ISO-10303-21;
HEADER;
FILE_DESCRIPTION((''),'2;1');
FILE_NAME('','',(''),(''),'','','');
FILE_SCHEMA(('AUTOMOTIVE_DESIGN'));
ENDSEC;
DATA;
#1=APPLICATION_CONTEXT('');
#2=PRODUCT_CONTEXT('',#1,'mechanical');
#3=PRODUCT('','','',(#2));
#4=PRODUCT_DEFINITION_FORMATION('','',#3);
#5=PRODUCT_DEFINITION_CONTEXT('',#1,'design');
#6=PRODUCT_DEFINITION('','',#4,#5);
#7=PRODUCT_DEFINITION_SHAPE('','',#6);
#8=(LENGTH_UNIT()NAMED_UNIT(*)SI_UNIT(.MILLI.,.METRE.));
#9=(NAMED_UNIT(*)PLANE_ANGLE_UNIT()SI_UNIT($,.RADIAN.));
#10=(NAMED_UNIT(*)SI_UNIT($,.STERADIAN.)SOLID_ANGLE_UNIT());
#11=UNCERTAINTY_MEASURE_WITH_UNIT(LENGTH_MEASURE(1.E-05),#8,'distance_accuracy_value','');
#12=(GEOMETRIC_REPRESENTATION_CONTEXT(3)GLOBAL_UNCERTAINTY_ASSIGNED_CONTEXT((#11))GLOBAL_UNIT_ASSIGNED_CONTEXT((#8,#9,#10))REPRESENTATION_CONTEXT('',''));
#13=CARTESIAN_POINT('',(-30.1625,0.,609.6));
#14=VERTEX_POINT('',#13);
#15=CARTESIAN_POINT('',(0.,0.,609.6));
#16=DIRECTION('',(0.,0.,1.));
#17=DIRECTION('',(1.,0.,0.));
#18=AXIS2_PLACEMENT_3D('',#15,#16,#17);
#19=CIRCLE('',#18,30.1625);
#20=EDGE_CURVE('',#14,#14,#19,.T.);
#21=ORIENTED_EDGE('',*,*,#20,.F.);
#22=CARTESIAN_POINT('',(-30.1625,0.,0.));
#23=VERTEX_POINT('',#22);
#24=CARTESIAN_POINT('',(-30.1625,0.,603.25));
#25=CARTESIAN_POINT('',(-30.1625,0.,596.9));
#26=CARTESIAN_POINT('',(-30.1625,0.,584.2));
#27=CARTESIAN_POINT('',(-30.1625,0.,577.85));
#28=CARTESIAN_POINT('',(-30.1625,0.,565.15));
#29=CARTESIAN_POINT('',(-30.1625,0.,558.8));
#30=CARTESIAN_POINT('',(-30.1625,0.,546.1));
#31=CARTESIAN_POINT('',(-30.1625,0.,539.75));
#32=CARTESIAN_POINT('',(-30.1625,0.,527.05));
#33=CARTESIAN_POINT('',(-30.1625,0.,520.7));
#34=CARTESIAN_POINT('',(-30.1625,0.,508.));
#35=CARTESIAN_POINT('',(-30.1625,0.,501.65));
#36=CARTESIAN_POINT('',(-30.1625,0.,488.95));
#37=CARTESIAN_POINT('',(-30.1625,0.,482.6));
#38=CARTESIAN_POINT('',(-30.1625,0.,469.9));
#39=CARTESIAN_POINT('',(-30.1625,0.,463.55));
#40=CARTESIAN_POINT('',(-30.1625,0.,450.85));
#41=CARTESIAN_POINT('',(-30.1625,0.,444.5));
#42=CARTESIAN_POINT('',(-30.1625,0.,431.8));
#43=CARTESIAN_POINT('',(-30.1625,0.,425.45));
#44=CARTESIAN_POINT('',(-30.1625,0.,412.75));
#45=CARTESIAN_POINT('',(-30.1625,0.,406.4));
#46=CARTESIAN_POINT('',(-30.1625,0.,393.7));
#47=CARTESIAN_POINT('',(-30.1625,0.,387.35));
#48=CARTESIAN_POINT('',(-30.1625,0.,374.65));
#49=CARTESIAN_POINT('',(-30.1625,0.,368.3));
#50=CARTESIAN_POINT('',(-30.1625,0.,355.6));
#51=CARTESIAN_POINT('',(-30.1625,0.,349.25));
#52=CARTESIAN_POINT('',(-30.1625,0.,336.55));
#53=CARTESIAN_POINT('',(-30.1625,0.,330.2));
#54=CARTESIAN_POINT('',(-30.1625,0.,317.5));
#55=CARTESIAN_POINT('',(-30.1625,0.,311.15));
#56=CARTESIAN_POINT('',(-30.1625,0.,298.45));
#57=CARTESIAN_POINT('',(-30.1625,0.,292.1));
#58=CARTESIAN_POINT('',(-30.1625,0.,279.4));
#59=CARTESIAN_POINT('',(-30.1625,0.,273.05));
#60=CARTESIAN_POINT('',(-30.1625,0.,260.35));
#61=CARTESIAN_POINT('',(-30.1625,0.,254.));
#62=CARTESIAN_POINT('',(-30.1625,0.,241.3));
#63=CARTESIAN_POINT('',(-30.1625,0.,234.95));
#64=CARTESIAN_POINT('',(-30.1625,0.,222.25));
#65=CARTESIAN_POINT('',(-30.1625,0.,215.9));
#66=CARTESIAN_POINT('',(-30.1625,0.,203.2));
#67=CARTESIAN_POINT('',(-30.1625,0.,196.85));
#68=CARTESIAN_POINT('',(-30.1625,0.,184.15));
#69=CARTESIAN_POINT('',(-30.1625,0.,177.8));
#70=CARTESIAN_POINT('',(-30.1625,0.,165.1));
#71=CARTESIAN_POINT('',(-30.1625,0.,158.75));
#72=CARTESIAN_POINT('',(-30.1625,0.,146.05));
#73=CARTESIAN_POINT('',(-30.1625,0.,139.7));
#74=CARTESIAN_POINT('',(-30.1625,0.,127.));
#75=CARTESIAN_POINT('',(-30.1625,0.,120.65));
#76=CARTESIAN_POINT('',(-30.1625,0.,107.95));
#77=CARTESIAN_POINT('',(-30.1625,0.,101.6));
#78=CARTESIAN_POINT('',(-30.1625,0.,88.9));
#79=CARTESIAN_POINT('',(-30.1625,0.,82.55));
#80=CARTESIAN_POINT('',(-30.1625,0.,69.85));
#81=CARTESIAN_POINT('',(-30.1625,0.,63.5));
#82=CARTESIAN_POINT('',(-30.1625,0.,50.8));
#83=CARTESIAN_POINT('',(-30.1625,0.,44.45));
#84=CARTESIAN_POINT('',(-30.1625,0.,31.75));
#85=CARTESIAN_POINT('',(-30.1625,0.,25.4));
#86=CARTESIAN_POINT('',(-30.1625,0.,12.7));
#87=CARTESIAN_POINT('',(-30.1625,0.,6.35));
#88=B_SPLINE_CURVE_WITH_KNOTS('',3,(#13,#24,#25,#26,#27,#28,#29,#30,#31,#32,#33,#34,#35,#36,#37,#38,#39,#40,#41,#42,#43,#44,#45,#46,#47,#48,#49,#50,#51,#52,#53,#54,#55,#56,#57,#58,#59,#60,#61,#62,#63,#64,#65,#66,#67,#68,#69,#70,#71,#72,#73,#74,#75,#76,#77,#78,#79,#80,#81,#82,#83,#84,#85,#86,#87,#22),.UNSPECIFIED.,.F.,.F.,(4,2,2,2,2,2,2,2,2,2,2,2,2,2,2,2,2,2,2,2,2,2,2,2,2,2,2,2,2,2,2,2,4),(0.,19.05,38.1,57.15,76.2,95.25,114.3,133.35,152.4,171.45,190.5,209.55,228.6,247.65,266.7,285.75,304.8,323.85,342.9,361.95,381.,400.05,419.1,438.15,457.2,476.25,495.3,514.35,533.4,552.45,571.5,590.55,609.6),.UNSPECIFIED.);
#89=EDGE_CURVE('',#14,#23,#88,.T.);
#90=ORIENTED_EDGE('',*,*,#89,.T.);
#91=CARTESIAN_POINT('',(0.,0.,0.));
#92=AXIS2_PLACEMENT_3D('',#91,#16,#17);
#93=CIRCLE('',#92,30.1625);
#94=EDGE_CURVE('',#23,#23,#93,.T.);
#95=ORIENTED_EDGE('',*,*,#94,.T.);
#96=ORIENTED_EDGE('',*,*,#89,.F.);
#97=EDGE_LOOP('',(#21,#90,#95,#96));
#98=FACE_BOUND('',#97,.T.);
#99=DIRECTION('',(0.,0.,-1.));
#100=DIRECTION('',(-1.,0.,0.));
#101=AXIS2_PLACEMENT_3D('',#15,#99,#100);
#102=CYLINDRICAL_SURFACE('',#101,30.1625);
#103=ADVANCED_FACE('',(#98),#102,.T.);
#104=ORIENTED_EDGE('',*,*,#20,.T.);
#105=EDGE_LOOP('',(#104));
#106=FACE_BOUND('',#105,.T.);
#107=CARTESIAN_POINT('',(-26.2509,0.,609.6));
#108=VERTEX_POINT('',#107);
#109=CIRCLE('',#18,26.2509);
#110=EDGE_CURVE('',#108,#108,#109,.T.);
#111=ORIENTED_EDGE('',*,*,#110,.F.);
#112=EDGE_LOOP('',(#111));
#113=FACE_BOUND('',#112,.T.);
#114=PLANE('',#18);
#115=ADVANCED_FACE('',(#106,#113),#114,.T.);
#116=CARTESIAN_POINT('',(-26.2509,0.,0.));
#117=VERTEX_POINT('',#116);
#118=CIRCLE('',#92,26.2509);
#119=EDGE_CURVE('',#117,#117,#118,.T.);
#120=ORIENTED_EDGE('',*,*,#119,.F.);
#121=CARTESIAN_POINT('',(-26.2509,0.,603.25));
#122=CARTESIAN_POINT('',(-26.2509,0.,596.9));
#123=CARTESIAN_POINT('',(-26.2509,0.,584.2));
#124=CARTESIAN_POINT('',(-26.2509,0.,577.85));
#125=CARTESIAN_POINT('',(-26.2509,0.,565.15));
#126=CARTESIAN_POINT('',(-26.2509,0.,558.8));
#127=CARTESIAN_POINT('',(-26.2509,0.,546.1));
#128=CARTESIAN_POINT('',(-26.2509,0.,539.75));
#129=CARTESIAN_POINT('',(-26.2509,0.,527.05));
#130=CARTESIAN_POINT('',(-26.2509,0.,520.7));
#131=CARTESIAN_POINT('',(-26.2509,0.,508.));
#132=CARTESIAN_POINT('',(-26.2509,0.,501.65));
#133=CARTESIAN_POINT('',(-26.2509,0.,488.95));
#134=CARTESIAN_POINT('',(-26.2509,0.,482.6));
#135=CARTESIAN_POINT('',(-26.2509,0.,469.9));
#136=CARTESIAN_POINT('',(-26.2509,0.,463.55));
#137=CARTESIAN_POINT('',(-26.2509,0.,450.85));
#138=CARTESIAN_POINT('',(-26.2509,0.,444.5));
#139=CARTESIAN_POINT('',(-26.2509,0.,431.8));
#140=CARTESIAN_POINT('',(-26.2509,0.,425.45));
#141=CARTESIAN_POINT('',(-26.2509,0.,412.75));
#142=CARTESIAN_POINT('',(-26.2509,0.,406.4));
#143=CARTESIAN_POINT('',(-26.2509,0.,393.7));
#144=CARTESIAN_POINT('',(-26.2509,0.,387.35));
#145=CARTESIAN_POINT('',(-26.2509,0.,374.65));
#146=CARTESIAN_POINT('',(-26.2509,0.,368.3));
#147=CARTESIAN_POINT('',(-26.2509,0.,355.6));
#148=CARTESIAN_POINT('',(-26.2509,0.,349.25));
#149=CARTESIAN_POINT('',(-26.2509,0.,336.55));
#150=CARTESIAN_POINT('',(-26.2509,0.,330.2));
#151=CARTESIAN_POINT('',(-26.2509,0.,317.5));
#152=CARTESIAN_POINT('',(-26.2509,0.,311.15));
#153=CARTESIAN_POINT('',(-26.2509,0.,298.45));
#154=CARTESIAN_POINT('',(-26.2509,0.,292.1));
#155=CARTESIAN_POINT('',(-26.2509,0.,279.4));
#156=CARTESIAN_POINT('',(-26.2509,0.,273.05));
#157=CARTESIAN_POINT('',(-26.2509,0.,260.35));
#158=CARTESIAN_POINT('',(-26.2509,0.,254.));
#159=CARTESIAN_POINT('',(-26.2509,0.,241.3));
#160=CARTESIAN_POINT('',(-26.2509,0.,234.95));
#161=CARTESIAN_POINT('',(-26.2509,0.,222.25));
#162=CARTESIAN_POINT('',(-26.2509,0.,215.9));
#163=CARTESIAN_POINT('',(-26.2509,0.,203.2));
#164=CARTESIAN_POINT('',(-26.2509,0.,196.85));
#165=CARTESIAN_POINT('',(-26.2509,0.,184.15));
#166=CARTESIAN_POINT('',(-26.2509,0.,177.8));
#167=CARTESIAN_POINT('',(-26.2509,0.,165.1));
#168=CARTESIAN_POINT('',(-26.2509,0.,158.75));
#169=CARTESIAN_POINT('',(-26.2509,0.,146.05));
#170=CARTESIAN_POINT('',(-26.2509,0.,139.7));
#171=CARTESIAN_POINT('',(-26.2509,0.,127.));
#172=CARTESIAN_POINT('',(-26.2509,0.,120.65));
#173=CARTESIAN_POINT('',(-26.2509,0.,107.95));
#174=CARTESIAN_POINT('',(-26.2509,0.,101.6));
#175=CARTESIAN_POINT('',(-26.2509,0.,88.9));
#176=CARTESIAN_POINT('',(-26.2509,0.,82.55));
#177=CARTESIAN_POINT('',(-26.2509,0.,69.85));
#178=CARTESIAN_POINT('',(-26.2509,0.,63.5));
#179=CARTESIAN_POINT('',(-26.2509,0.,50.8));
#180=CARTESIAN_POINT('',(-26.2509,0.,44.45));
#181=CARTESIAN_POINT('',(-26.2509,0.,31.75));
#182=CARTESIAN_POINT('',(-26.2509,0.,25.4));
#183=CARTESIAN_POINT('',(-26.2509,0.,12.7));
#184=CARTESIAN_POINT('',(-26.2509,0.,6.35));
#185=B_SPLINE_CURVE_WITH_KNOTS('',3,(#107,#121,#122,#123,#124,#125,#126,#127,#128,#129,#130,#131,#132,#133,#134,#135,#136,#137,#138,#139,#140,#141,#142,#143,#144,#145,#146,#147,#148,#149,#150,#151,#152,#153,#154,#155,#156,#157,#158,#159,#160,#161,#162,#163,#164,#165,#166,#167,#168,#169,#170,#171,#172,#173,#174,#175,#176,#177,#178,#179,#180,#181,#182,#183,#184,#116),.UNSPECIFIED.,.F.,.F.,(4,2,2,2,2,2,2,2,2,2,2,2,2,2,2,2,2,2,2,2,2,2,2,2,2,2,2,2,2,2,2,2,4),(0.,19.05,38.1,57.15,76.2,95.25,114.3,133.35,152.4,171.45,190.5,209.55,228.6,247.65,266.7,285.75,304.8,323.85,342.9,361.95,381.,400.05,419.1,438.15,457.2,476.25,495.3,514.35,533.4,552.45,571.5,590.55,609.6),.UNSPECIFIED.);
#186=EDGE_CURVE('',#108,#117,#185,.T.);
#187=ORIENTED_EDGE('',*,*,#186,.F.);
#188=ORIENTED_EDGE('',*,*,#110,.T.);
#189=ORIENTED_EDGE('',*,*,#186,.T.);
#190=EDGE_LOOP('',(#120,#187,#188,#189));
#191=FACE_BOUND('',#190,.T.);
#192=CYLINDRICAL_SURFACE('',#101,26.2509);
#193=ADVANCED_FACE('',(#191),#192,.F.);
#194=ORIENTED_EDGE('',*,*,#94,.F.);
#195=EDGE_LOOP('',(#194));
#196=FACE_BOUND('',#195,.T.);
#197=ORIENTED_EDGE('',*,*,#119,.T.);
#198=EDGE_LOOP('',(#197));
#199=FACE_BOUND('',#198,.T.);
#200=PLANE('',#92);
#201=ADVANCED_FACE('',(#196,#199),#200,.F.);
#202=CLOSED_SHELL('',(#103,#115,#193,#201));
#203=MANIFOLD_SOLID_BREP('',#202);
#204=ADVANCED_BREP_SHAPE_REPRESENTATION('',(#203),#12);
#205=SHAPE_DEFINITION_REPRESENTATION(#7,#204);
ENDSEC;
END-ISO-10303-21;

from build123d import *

# Parameters (mm, degrees)
SKETCH1_R           = 30.1625
SKETCH1_R_2         = 26.2509
BOSS_EXTRUDE1_DEPTH = 609.6


with BuildPart() as part:
    # Sketch1 → Boss-Extrude1 (new body)
    with BuildSketch(Plane.XY):
        with Locations(Location((0, 0, 0), (0, 0, 180))):
            Circle(SKETCH1_R)
        with Locations(Location((0, 0, 0), (0, 0, 180))):
            Circle(SKETCH1_R_2, mode=Mode.SUBTRACT)
    extrude(amount=BOSS_EXTRUDE1_DEPTH)


solid = part.part
